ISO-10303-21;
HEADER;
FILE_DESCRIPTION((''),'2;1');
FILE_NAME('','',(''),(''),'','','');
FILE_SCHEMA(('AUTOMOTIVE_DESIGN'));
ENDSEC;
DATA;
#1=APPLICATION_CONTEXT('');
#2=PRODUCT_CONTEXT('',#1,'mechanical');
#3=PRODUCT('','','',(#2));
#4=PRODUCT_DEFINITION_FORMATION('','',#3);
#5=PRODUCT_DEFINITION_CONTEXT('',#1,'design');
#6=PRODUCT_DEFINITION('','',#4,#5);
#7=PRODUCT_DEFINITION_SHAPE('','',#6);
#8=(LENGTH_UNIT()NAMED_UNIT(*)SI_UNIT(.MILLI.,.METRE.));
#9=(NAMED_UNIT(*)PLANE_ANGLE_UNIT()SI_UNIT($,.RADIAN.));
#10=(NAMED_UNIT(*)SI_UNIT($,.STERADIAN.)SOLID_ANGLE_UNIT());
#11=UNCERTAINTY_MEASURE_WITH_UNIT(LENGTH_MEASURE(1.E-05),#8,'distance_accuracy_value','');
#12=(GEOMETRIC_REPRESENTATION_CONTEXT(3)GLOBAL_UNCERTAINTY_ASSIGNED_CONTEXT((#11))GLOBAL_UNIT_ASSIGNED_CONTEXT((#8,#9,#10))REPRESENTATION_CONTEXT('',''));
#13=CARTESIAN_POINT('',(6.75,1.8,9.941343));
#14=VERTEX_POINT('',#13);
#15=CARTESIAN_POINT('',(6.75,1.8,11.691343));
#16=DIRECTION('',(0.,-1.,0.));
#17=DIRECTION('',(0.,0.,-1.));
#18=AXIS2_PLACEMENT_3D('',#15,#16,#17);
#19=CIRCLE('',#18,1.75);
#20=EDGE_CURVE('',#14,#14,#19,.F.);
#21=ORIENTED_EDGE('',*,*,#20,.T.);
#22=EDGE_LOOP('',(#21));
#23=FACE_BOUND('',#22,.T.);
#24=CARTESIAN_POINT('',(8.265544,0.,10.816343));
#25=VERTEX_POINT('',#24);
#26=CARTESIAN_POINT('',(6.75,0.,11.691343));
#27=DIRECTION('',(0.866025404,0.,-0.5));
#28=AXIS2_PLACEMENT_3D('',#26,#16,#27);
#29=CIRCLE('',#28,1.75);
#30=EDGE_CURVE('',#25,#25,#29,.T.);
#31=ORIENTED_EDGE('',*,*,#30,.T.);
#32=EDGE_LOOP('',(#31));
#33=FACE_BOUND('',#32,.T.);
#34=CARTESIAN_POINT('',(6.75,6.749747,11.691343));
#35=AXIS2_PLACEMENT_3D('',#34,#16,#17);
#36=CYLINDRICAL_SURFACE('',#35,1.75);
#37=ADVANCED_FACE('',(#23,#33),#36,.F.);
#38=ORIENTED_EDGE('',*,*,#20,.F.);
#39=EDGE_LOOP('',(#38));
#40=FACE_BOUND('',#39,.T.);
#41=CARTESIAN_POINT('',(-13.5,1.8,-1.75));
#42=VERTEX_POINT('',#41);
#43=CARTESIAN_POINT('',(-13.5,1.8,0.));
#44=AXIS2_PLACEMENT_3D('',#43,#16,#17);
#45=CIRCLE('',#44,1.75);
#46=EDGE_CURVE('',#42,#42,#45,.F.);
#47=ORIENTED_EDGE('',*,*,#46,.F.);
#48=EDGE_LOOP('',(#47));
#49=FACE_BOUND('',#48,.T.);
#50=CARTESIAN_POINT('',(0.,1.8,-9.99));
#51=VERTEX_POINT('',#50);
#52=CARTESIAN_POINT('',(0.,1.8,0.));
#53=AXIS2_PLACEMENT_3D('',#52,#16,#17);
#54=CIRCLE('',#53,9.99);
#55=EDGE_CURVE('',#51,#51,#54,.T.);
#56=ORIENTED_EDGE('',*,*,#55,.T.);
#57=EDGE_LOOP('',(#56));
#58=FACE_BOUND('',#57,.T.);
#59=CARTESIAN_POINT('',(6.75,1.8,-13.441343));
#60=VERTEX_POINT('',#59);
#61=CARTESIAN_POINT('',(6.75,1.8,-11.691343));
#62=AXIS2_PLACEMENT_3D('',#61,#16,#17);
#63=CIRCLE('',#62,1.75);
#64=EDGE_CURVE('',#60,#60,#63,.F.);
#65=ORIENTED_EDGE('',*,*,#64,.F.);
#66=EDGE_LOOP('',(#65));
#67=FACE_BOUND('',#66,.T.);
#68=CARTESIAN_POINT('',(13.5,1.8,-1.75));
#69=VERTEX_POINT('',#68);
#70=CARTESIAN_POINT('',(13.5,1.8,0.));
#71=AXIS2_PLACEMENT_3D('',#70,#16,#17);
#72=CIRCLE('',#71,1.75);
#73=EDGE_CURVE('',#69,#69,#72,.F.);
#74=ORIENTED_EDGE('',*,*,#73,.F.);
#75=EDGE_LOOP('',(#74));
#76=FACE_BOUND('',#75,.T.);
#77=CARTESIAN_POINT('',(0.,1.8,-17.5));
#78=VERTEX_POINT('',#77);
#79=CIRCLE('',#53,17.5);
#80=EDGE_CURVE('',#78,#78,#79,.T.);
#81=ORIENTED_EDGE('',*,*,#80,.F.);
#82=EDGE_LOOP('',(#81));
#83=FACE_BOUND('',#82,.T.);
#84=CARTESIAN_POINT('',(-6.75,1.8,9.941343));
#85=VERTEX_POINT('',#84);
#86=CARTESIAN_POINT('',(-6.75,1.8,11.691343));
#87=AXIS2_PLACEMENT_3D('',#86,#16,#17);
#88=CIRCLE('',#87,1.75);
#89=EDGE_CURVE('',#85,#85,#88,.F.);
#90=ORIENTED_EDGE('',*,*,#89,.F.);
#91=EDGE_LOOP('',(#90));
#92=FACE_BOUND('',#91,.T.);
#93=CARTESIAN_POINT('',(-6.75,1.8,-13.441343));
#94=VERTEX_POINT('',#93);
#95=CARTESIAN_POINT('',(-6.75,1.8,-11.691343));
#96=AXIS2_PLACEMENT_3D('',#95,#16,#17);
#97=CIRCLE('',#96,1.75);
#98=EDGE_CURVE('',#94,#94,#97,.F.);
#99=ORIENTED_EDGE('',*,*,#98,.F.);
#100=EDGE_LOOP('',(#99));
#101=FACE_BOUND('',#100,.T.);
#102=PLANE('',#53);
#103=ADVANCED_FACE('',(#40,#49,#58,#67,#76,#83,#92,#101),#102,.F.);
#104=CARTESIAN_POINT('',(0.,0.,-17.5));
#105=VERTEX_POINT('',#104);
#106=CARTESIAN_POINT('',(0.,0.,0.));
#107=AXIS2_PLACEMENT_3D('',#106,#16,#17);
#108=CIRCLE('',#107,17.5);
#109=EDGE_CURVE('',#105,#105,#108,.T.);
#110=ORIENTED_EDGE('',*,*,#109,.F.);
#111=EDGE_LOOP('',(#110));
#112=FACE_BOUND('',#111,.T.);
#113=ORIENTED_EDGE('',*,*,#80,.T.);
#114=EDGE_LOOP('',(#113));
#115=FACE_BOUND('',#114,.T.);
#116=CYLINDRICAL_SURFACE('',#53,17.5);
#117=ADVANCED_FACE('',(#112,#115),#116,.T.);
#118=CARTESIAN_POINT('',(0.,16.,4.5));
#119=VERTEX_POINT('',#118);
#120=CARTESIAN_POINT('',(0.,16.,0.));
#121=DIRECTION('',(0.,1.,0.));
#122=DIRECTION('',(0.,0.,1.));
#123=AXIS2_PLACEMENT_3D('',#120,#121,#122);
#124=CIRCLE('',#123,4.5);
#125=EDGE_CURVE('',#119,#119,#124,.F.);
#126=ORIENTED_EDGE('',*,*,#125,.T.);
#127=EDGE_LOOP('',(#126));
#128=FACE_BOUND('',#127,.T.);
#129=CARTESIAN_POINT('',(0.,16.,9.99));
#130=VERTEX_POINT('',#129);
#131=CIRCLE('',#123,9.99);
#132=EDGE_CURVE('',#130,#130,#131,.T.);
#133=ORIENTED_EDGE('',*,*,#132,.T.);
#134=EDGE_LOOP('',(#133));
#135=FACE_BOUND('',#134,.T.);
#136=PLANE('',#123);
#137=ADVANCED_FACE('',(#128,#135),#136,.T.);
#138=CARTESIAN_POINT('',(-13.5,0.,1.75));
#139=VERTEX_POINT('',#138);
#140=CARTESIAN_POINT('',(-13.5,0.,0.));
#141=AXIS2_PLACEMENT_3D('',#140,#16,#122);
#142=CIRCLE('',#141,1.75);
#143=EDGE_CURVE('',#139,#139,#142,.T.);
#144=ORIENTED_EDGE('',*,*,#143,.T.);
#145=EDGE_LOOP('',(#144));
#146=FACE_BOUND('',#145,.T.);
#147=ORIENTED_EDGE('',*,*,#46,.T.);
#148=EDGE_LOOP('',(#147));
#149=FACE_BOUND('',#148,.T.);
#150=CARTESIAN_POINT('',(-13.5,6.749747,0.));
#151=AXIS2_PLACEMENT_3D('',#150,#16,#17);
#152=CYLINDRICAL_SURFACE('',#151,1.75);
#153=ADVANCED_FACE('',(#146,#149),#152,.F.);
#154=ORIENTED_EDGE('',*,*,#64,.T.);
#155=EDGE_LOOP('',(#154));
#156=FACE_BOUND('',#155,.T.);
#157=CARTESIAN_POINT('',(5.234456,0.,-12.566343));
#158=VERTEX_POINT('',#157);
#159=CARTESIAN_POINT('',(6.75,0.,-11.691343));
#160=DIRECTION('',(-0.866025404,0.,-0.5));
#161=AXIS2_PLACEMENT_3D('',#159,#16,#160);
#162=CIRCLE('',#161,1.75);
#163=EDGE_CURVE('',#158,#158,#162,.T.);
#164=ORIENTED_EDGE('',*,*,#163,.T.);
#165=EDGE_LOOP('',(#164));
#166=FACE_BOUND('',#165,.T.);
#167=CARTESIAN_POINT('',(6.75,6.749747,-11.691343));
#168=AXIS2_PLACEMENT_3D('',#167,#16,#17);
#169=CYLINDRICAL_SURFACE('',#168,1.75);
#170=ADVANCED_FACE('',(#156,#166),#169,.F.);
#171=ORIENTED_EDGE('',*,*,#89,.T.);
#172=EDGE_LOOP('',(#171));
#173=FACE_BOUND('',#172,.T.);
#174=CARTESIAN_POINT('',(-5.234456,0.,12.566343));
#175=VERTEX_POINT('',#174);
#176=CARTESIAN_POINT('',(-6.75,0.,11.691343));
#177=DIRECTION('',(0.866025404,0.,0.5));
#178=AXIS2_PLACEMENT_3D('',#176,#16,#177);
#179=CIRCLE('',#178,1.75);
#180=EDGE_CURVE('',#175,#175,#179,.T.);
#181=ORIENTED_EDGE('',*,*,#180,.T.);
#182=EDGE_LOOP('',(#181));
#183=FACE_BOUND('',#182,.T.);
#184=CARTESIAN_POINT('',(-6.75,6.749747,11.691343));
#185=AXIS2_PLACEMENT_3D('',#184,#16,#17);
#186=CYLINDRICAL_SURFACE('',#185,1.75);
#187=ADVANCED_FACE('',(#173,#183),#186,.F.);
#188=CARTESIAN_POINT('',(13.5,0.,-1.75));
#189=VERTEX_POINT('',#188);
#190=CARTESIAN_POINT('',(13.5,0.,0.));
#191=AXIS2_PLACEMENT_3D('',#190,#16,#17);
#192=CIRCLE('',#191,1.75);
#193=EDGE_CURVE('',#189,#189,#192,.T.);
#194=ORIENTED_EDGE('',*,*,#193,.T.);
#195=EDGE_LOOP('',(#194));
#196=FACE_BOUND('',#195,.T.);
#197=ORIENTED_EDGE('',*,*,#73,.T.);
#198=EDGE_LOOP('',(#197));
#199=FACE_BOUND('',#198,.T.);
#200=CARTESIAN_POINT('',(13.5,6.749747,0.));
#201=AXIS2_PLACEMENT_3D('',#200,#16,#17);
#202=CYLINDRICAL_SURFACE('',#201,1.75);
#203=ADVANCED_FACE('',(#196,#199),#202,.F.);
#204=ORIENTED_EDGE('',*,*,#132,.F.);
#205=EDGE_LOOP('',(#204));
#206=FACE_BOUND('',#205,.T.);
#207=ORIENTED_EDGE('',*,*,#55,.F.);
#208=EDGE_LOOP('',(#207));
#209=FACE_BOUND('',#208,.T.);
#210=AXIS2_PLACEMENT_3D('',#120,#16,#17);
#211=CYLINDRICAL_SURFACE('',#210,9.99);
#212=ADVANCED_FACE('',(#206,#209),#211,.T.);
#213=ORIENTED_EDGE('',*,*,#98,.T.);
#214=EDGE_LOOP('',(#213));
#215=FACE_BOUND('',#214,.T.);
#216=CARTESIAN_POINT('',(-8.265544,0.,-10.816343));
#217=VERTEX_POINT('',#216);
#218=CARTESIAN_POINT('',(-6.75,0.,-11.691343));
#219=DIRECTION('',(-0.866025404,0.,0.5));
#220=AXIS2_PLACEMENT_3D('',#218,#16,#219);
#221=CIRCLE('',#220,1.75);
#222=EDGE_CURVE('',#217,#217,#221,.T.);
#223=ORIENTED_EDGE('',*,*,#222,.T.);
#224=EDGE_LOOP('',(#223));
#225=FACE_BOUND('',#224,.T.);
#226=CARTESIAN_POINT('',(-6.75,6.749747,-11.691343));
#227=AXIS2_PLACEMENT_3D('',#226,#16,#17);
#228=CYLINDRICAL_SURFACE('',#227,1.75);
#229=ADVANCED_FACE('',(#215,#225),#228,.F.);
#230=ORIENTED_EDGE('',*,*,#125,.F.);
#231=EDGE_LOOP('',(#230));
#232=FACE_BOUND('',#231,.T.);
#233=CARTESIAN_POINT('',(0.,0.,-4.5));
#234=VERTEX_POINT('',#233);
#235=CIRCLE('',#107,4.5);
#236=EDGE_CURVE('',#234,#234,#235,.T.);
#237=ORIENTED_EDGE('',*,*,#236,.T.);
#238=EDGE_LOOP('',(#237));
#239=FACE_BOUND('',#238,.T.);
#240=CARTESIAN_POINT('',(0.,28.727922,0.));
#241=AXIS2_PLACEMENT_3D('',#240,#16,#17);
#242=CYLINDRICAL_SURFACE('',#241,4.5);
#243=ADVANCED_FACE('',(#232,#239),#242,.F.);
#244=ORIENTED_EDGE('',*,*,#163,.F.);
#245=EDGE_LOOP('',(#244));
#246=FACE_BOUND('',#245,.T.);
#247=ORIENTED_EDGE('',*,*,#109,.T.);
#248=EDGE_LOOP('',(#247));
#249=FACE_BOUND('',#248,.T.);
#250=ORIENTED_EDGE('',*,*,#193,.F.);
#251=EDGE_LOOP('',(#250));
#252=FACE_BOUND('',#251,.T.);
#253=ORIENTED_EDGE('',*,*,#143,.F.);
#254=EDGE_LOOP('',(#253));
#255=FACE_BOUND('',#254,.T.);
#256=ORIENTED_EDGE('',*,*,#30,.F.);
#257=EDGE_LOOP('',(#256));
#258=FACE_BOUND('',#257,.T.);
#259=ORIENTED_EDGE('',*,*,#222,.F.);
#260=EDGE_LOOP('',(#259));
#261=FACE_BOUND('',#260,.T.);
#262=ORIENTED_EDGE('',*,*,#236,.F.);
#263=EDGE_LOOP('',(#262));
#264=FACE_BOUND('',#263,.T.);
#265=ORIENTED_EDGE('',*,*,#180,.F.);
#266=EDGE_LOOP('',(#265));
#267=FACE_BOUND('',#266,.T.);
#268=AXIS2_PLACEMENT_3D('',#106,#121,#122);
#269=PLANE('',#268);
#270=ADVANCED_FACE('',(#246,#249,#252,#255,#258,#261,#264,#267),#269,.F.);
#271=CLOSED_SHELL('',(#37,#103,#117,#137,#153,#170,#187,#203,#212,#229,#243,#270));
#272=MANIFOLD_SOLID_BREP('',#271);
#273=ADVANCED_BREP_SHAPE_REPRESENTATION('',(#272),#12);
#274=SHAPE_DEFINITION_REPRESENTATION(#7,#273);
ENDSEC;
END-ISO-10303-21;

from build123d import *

# Parameters (mm, degrees)
SKETCH1_R           = 9.99
BOSS_EXTRUDE1_DEPTH = 16
SKETCH3_R           = 17.5
BOSS_EXTRUDE2_DEPTH = 1.8
SKETCH4_R           = 4.5
CUT_EXTRUDE1_DEPTH  = 16
SKETCH6_R           = 1.75
CUT_EXTRUDE2_DEPTH  = 1.8
CIRPATTERN1_COUNT   = 6


with BuildPart() as part:
    # Sketch1 → Boss-Extrude1 (new body)
    with BuildSketch(Plane(origin=(0, 0, 0), x_dir=(1, 0, 0), z_dir=(0, 1, 0))):
        with Locations(Location((0, 0, 0), (0, 0, 270))):
            Circle(SKETCH1_R)
    extrude(amount=BOSS_EXTRUDE1_DEPTH)

    # Sketch3 → Boss-Extrude2 (add)
    with BuildSketch(Plane.XZ):
        with Locations(Location((0, 0, 0), (0, 0, 270))):
            Circle(SKETCH3_R)
    extrude(amount=-BOSS_EXTRUDE2_DEPTH)

    # Sketch4 → Cut-Extrude1 (cut)
    with BuildSketch(Plane.XZ):
        with Locations(Location((0, 0, 0), (0, 0, 270))):
            Circle(SKETCH4_R)
    extrude(amount=-CUT_EXTRUDE1_DEPTH, mode=Mode.SUBTRACT)

    # Sketch6 → Cut-Extrude2 (cut)
    with BuildSketch(Plane.XZ):
        with Locations(Location((13.5, 0, 0), (0, 0, 270))):
            Circle(SKETCH6_R)
    cut_extrude2 = extrude(amount=-CUT_EXTRUDE2_DEPTH, mode=Mode.SUBTRACT)

    # CirPattern1: Cut-Extrude2 ×6 about axis
    cirpattern1_axis = Axis((0, 0, 0), (0, 1, 0))
    for i in range(1, CIRPATTERN1_COUNT):
        add(cut_extrude2.rotate(cirpattern1_axis, i * 360 / CIRPATTERN1_COUNT), mode=Mode.SUBTRACT)


solid = part.part
